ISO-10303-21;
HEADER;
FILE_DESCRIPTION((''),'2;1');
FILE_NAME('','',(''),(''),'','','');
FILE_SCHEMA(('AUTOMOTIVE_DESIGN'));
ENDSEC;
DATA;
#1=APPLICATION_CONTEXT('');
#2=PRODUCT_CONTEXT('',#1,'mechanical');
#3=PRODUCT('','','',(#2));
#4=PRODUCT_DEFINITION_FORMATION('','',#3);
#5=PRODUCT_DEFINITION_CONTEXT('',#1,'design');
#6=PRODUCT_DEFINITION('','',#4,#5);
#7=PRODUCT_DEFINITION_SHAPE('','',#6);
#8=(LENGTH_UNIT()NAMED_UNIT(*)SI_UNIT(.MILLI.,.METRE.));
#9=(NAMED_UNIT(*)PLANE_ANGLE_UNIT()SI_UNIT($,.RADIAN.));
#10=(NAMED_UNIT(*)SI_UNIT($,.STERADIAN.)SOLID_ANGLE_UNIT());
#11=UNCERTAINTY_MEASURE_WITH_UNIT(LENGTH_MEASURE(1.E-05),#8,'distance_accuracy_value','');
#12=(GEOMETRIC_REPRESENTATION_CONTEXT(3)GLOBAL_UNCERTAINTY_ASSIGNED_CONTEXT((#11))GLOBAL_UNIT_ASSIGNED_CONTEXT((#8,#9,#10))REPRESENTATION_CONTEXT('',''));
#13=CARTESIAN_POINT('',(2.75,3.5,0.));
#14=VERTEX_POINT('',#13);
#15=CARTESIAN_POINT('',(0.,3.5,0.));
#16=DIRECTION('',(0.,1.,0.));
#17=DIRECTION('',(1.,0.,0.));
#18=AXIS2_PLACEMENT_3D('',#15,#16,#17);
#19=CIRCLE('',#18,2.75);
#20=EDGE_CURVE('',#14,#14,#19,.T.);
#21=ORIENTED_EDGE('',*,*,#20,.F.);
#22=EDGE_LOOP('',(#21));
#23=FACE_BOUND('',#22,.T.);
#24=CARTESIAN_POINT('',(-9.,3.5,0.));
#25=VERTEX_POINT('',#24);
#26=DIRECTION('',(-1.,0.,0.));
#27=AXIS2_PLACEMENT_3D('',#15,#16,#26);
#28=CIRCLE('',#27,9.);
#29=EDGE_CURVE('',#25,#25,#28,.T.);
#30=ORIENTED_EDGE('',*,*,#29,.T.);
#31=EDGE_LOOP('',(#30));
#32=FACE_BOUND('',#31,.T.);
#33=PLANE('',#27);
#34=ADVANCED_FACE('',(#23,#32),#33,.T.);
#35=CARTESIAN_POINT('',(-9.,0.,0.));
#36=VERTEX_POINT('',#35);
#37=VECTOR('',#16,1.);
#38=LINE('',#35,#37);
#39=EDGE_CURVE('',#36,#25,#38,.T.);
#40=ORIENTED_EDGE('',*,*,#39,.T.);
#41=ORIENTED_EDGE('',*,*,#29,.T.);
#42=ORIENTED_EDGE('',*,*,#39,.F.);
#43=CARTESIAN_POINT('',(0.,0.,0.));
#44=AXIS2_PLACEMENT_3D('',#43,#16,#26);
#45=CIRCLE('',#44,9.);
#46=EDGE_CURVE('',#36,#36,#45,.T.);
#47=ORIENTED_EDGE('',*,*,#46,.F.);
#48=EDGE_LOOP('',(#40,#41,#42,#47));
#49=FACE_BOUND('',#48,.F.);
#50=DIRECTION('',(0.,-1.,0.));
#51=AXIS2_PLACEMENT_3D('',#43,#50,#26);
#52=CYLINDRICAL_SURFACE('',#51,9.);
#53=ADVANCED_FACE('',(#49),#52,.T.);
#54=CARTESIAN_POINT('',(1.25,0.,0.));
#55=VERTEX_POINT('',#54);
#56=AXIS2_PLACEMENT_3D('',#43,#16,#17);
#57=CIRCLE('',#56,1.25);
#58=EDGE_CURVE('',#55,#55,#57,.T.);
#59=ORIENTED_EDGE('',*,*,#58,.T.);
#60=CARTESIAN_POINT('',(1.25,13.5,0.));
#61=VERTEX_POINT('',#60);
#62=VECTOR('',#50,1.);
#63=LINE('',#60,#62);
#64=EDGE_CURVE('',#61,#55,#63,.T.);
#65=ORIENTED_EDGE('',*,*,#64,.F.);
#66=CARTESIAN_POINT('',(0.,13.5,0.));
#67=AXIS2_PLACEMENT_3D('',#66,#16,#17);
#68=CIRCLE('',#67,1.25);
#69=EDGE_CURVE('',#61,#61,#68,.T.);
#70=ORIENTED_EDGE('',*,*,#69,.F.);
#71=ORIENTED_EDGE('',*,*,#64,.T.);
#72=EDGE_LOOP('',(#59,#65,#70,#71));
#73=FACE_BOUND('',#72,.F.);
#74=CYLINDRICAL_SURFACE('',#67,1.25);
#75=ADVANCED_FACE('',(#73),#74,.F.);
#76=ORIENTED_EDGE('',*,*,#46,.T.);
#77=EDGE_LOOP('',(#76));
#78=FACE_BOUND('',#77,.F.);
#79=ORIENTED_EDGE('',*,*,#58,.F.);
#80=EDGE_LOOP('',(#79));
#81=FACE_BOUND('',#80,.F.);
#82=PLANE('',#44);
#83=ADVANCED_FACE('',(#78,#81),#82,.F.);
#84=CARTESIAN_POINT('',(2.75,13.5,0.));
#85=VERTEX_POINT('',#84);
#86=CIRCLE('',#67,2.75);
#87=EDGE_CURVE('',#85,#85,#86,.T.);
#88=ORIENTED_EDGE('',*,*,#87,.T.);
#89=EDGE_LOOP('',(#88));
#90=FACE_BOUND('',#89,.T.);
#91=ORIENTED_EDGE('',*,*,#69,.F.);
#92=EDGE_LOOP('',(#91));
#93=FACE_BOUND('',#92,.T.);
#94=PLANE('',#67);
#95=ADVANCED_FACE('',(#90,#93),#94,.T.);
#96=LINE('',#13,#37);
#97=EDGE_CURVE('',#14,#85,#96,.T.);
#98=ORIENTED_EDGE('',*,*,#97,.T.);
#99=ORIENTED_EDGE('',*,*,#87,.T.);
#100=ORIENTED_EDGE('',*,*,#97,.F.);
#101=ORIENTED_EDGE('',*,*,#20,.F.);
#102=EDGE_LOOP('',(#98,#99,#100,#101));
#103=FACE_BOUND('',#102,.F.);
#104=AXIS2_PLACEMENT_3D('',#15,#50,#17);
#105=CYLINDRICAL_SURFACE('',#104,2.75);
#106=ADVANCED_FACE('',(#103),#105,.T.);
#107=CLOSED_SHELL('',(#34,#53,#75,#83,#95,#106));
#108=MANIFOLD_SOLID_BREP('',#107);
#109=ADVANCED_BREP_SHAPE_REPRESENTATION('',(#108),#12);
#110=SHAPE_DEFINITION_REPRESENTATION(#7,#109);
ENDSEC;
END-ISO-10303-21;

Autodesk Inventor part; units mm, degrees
ref_plane "YZ Plane" through (0, 0, 0) normal (1, 0, 0) x (0, 1, 0)
ref_plane "XZ Plane" through (0, 0, 0) normal (0, 1, 0) x (-1, 0, 0)
ref_plane "XY Plane" through (0, 0, 0) normal (0, 0, 1) x (1, 0, 0)
sketch "Sketch1" plane through (0, 0, 0) normal (0, 1, 0) x (-1, 0, 0)
  circle A0 centre (0, 0) radius 9
  dimension "d0" = 18
extrude "Extrusion1" add sketch "Sketch1" along normal blind 3.5
sketch "Sketch2" plane through (0, 3.5, 0) normal (0, 1, 0) x (1, 0, 0)
  circle A0 centre (0, 0) radius 2.75
  dimension "d3" = 5.5
extrude "Extrusion2" add sketch "Sketch2" along normal blind 10
sketch "Sketch3" plane through (0, 13.5, 0) normal (0, 1, 0) x (1, 0, 0)
  circle A0 centre (0, 0) radius 1.25
  dimension "d6" = 2.5
extrude "Extrusion3" cut sketch "Sketch3" against normal up to surface (13.5 mm away)
properties part number "Belt_Bearing_Holder"
